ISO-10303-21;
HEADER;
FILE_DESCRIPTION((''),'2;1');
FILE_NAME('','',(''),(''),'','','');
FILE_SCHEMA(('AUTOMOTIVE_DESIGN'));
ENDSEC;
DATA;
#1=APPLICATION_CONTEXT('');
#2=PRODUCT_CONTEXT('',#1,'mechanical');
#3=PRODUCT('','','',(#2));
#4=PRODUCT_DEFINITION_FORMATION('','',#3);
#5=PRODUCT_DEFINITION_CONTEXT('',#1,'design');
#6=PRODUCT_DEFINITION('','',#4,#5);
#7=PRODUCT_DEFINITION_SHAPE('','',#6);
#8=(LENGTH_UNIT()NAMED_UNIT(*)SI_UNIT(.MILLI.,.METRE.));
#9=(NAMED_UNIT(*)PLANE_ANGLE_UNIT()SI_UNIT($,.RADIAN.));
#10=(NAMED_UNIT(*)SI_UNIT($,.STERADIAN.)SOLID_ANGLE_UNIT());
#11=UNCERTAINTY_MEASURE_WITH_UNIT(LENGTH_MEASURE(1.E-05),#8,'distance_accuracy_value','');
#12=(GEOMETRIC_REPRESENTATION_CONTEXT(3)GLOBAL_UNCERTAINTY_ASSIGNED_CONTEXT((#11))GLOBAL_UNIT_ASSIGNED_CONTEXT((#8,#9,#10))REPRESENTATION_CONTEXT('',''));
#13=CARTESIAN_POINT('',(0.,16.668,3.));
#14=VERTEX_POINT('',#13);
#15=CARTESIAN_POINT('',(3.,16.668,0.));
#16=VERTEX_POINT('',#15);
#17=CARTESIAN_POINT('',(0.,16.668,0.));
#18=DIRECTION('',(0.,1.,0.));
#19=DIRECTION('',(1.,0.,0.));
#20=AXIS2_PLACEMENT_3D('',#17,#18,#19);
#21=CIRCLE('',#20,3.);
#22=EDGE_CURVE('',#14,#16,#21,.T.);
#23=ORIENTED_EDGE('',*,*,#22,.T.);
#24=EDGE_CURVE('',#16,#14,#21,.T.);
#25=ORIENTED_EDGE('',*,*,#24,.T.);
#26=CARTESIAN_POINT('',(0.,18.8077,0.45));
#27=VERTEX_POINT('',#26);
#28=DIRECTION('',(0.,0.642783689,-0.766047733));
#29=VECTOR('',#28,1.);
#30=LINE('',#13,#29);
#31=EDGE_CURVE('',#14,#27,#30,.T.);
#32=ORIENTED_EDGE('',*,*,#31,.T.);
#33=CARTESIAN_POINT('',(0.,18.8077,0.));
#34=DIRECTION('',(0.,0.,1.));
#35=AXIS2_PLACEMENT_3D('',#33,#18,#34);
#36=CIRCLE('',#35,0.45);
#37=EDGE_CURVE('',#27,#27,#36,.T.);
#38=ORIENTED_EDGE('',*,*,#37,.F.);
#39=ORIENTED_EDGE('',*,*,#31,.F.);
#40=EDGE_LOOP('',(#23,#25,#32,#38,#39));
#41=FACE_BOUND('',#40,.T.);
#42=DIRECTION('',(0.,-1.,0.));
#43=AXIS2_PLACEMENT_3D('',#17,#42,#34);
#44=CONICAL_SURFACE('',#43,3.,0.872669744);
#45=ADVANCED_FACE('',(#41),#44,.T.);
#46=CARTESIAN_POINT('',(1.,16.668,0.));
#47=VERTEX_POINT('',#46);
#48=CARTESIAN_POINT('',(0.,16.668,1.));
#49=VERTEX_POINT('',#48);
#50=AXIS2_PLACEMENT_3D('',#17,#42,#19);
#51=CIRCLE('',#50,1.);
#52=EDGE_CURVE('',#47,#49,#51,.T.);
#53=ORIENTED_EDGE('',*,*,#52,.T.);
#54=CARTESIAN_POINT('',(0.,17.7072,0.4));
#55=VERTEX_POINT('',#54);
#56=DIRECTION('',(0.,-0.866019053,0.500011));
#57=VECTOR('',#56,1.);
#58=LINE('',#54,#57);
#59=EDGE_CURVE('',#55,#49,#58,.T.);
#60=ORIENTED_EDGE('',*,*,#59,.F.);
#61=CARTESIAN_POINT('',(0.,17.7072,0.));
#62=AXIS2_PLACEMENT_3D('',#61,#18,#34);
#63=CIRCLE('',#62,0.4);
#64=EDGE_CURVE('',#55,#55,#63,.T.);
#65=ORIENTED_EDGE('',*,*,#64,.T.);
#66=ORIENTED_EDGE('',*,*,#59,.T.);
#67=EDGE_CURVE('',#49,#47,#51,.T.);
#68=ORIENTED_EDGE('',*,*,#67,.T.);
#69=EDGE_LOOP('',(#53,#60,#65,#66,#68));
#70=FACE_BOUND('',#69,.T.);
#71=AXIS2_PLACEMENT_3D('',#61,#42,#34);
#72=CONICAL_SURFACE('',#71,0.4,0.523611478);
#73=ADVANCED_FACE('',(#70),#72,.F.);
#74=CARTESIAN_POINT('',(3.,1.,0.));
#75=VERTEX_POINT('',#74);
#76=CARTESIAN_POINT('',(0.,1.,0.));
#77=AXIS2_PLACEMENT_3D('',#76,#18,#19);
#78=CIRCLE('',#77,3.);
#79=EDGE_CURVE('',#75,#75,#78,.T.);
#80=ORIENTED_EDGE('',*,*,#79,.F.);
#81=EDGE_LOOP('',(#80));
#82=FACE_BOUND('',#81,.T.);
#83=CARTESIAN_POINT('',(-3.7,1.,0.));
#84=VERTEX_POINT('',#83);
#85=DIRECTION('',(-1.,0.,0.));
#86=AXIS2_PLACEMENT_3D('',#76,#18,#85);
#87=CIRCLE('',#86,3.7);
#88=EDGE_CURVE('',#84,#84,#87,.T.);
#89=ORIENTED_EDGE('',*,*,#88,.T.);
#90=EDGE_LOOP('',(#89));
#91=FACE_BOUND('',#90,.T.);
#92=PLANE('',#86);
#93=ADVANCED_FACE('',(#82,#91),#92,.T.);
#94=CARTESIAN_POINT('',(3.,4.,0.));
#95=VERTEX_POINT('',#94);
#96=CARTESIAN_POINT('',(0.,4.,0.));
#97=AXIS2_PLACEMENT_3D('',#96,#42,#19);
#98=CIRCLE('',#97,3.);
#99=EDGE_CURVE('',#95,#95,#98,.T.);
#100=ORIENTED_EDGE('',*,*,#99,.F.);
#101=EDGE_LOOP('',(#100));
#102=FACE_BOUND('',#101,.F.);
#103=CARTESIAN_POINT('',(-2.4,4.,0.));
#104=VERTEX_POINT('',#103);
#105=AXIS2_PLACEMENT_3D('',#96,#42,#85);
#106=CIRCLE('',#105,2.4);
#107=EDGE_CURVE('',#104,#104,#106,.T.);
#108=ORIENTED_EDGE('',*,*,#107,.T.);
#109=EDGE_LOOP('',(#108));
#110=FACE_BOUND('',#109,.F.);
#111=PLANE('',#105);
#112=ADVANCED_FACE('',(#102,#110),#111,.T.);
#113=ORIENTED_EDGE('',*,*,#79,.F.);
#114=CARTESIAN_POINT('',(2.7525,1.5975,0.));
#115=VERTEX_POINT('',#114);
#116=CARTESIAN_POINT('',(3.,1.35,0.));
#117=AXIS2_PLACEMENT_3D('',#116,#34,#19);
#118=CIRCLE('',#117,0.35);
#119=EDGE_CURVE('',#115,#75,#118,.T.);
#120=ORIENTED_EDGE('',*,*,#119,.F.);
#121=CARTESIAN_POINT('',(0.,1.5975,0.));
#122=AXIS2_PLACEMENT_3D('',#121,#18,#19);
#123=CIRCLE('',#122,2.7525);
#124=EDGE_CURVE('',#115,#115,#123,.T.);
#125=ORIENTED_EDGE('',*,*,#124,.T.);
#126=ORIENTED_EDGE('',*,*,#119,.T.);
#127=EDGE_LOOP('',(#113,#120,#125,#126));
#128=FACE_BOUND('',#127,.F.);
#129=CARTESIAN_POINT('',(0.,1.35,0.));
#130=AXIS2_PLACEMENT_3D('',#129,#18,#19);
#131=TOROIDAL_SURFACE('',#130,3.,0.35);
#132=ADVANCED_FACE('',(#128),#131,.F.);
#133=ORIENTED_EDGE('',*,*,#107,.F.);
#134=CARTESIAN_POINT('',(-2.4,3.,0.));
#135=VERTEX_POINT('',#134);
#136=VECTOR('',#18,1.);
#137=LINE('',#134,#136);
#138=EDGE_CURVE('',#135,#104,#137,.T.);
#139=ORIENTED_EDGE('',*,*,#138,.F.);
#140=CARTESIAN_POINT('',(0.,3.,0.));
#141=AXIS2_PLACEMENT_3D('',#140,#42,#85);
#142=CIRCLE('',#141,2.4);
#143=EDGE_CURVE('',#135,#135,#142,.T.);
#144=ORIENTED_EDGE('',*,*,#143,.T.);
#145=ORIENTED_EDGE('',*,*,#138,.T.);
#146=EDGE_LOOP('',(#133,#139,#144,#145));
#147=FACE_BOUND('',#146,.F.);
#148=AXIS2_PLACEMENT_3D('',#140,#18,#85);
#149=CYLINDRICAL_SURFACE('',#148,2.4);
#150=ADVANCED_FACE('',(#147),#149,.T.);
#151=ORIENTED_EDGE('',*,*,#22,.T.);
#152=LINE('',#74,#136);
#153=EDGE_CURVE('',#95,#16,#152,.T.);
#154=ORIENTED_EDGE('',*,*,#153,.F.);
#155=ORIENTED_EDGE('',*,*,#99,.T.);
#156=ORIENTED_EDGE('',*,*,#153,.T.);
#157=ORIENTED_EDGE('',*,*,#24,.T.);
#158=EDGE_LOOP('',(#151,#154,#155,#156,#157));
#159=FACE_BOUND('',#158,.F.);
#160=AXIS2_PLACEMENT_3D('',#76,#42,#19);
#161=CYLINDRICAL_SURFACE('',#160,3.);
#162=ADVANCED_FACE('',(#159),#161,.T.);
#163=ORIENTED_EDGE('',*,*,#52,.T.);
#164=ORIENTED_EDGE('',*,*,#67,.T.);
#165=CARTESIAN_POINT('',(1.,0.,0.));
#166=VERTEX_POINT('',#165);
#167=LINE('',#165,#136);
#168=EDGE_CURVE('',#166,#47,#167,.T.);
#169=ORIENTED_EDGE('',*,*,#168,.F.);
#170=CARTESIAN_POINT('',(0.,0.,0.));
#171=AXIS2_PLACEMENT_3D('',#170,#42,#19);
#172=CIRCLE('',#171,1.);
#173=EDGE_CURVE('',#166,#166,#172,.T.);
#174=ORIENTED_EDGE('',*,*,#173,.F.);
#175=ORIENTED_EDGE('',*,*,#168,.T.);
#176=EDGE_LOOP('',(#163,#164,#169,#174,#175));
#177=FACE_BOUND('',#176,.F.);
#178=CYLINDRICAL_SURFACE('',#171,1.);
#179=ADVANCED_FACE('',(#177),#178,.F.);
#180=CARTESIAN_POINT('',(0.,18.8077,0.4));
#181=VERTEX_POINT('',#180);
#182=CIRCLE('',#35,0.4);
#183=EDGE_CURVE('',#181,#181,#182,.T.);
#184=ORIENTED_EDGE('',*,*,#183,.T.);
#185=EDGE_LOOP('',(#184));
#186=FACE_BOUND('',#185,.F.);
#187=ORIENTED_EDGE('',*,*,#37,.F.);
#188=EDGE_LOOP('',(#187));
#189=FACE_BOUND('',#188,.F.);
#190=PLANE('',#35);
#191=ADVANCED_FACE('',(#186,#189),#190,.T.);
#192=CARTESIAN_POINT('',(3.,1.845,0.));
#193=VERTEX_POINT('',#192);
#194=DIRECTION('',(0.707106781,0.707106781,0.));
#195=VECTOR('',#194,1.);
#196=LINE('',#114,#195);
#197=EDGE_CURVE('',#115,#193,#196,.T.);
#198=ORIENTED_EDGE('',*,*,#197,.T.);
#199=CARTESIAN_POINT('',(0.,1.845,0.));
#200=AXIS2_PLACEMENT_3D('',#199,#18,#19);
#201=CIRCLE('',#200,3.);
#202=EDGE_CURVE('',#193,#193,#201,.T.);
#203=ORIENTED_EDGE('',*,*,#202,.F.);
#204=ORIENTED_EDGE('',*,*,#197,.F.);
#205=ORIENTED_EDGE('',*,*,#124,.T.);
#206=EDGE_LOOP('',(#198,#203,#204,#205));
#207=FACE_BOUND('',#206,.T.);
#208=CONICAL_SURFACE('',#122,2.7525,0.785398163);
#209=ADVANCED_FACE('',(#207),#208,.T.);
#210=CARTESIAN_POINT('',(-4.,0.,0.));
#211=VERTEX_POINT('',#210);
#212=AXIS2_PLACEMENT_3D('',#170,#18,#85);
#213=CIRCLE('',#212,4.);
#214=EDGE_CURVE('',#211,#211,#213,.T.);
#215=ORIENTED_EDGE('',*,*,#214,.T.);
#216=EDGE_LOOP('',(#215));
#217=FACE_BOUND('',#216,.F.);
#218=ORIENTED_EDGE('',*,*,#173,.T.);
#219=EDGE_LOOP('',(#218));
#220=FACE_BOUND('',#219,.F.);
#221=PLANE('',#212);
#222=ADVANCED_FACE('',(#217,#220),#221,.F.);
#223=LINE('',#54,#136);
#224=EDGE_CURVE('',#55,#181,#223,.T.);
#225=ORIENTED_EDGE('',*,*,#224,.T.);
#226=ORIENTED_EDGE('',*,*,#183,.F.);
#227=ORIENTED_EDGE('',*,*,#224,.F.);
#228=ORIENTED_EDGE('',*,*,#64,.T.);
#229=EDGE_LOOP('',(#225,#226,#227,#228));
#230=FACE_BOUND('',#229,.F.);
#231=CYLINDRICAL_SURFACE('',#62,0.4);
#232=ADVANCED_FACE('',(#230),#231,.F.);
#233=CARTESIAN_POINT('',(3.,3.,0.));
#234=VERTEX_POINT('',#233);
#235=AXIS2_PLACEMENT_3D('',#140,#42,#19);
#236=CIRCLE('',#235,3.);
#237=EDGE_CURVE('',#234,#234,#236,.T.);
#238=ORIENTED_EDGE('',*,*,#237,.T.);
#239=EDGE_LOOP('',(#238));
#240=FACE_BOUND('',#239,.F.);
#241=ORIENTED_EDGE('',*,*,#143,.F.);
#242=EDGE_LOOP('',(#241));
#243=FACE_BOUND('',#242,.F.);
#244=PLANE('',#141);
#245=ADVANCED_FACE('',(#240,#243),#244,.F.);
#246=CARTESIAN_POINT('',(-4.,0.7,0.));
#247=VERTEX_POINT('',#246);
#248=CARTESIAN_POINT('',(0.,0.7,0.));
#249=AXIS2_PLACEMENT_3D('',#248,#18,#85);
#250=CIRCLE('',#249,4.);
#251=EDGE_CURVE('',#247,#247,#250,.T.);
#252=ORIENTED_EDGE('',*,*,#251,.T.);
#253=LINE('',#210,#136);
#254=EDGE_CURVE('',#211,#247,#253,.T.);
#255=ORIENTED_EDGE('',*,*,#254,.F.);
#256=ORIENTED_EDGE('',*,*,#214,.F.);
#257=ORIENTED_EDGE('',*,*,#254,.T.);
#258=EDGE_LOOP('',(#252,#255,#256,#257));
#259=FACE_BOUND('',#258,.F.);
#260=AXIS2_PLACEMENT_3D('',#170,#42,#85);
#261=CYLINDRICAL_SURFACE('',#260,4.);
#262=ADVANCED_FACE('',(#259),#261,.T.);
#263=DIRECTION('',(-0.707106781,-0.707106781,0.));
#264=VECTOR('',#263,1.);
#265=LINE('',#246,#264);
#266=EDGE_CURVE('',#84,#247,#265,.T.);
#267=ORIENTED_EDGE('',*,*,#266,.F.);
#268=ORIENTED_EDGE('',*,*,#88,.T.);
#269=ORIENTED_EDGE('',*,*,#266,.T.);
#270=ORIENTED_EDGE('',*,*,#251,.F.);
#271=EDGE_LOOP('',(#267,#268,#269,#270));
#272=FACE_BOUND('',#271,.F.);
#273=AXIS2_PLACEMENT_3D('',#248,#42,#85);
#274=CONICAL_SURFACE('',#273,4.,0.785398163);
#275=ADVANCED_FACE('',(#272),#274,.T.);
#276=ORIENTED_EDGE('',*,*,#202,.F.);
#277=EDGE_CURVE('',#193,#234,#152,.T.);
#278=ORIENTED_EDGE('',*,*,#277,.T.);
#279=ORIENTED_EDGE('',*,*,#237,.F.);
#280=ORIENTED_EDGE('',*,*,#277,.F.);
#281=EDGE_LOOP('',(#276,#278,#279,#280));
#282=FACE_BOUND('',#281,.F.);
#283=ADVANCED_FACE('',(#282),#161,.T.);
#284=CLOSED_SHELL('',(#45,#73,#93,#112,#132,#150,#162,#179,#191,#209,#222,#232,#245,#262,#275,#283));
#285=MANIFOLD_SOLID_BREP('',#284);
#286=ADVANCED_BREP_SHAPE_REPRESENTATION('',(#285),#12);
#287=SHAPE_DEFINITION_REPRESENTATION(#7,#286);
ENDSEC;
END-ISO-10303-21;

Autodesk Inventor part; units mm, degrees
ref_plane "XZ Plane" through (0, 0, 0) normal (0, 1, 0) x (-1, 0, 0)
sketch "Sketch1" plane through (0, 0, 0) normal (0, 1, 0) x (-1, 0, 0)
  circle A0 centre (0, 0) radius 4
  dimension "d0" = 8
extrude "Extrusion1" add sketch "Sketch1" along normal blind 1
sketch "Sketch2" plane through (0, 1, 0) normal (0, 1, 0) x (1, 0, 0)
  circle A0 centre (0, 0) radius 4 projected
  circle A1 centre (0, 0) radius 3
  dimension "d3" = 6
extrude "Extrusion2" add sketch "Sketch2" along normal blind 15.668 contours A1
sketch "Sketch3" plane through (0, 0, 0) normal (0, -1, 0) x (1, 0, 0)
  circle A0 centre (0, 0) radius 4 projected
  circle A1 centre (0, 0) radius 1
  dimension "d6" = 2
extrude "Extrusion3" cut sketch "Sketch3" against normal blind 21 contours A1
sketch "Sketch4" plane through (0, 0, 0) normal (1, 0, 0) x (0, 1, 0)
  line L0 (1, 3) -> (16.668, 3) projected
  line L1 (1, -3) -> (16.668, -3) projected
  line L2 (0, 0) -> (17, 0)
  line L3 (16.668, 3) -> (18.9755, 0.25)
  line L4 (16.668, -3) -> (16.668, 3) projected
  line L5 (16.668, 0.2) -> (18.9755, 0.2)
  line L6 (17.7072, 0.4) -> (16.668, 1)
  line L7 (0, 1) -> (16.668, 1) projected
  line L8 (16.668, 1) -> (16.668, 3)
  line L9 (18.9755, 0.25) -> (18.9755, 0.2)
  line L10 (17.7072, 0.4) -> (18.8077, 0.4)
  line L11 (18.8077, 0.4) -> (18.8077, 0.45)
  point P0 (17.8856, 0.2)
  dimension "d9" = 40
  dimension "d10" = 0.2
  dimension "d11" = 30
  dimension "d20" = 0.05
  dimension "d21" = 0.4
  dimension "d22" = 0.05
revolve "Revolution1" add sketch "Sketch4" angle 360 about axis through (0, 0, 0) along (0, 1, 0) contours L3 L11 L10 L6 L4
sketch "Sketch5" plane through (0, 0, 0) normal (0, 0, 1) x (1, 0, 0)
  circle A0 centre (3, 1.35) radius 0.35
  line L0 (4, 1) -> (-4, 1) projected
  line L1 (3, 3) -> (3, 0)
  line L2 (0, 1.1204) -> (0, 3)
  line L3 (2.7525, 1.5975) -> (3.3734, 2.2184)
  line L4 (3.3734, 2.2184) -> (3.3499, 1.3406)
  point P0 (0, 0)
  dimension "d14" = 0.7
  dimension "d19" = 45
revolve "Revolution2" cut sketch "Sketch5" angle 360 about axis through (0, 1.1204, 0) along (0, 1, 0)
chamfer "Chamfer1" distance 0.3 angle 45 1 edges at (4, 1, 0)
sketch "Sketch6" plane through (0, 0, 0) normal (0, 0, 1) x (1, 0, 0)
  line L0 (-3, 1.845) -> (-3, 16.668) projected
  line L1 (-3, 3) -> (-2.4, 3)
  line L2 (-2.4, 3) -> (-2.4, 4)
  line L3 (-2.4, 4) -> (-3, 4)
  line L4 (-3, 4) -> (-3, 3)
  line L5 (-4, 0) -> (4, 0) projected
  line L6 (0, 0) -> (0, -2.0894)
  dimension "d23" = 0.6
  dimension "d24" = 1
  dimension "d25" = 3
revolve "Revolution3" cut sketch "Sketch6" angle 360 about axis through (0, 0, 0) along (0, -1, 0)
properties part number "nozzle0.8" material "Copper"
